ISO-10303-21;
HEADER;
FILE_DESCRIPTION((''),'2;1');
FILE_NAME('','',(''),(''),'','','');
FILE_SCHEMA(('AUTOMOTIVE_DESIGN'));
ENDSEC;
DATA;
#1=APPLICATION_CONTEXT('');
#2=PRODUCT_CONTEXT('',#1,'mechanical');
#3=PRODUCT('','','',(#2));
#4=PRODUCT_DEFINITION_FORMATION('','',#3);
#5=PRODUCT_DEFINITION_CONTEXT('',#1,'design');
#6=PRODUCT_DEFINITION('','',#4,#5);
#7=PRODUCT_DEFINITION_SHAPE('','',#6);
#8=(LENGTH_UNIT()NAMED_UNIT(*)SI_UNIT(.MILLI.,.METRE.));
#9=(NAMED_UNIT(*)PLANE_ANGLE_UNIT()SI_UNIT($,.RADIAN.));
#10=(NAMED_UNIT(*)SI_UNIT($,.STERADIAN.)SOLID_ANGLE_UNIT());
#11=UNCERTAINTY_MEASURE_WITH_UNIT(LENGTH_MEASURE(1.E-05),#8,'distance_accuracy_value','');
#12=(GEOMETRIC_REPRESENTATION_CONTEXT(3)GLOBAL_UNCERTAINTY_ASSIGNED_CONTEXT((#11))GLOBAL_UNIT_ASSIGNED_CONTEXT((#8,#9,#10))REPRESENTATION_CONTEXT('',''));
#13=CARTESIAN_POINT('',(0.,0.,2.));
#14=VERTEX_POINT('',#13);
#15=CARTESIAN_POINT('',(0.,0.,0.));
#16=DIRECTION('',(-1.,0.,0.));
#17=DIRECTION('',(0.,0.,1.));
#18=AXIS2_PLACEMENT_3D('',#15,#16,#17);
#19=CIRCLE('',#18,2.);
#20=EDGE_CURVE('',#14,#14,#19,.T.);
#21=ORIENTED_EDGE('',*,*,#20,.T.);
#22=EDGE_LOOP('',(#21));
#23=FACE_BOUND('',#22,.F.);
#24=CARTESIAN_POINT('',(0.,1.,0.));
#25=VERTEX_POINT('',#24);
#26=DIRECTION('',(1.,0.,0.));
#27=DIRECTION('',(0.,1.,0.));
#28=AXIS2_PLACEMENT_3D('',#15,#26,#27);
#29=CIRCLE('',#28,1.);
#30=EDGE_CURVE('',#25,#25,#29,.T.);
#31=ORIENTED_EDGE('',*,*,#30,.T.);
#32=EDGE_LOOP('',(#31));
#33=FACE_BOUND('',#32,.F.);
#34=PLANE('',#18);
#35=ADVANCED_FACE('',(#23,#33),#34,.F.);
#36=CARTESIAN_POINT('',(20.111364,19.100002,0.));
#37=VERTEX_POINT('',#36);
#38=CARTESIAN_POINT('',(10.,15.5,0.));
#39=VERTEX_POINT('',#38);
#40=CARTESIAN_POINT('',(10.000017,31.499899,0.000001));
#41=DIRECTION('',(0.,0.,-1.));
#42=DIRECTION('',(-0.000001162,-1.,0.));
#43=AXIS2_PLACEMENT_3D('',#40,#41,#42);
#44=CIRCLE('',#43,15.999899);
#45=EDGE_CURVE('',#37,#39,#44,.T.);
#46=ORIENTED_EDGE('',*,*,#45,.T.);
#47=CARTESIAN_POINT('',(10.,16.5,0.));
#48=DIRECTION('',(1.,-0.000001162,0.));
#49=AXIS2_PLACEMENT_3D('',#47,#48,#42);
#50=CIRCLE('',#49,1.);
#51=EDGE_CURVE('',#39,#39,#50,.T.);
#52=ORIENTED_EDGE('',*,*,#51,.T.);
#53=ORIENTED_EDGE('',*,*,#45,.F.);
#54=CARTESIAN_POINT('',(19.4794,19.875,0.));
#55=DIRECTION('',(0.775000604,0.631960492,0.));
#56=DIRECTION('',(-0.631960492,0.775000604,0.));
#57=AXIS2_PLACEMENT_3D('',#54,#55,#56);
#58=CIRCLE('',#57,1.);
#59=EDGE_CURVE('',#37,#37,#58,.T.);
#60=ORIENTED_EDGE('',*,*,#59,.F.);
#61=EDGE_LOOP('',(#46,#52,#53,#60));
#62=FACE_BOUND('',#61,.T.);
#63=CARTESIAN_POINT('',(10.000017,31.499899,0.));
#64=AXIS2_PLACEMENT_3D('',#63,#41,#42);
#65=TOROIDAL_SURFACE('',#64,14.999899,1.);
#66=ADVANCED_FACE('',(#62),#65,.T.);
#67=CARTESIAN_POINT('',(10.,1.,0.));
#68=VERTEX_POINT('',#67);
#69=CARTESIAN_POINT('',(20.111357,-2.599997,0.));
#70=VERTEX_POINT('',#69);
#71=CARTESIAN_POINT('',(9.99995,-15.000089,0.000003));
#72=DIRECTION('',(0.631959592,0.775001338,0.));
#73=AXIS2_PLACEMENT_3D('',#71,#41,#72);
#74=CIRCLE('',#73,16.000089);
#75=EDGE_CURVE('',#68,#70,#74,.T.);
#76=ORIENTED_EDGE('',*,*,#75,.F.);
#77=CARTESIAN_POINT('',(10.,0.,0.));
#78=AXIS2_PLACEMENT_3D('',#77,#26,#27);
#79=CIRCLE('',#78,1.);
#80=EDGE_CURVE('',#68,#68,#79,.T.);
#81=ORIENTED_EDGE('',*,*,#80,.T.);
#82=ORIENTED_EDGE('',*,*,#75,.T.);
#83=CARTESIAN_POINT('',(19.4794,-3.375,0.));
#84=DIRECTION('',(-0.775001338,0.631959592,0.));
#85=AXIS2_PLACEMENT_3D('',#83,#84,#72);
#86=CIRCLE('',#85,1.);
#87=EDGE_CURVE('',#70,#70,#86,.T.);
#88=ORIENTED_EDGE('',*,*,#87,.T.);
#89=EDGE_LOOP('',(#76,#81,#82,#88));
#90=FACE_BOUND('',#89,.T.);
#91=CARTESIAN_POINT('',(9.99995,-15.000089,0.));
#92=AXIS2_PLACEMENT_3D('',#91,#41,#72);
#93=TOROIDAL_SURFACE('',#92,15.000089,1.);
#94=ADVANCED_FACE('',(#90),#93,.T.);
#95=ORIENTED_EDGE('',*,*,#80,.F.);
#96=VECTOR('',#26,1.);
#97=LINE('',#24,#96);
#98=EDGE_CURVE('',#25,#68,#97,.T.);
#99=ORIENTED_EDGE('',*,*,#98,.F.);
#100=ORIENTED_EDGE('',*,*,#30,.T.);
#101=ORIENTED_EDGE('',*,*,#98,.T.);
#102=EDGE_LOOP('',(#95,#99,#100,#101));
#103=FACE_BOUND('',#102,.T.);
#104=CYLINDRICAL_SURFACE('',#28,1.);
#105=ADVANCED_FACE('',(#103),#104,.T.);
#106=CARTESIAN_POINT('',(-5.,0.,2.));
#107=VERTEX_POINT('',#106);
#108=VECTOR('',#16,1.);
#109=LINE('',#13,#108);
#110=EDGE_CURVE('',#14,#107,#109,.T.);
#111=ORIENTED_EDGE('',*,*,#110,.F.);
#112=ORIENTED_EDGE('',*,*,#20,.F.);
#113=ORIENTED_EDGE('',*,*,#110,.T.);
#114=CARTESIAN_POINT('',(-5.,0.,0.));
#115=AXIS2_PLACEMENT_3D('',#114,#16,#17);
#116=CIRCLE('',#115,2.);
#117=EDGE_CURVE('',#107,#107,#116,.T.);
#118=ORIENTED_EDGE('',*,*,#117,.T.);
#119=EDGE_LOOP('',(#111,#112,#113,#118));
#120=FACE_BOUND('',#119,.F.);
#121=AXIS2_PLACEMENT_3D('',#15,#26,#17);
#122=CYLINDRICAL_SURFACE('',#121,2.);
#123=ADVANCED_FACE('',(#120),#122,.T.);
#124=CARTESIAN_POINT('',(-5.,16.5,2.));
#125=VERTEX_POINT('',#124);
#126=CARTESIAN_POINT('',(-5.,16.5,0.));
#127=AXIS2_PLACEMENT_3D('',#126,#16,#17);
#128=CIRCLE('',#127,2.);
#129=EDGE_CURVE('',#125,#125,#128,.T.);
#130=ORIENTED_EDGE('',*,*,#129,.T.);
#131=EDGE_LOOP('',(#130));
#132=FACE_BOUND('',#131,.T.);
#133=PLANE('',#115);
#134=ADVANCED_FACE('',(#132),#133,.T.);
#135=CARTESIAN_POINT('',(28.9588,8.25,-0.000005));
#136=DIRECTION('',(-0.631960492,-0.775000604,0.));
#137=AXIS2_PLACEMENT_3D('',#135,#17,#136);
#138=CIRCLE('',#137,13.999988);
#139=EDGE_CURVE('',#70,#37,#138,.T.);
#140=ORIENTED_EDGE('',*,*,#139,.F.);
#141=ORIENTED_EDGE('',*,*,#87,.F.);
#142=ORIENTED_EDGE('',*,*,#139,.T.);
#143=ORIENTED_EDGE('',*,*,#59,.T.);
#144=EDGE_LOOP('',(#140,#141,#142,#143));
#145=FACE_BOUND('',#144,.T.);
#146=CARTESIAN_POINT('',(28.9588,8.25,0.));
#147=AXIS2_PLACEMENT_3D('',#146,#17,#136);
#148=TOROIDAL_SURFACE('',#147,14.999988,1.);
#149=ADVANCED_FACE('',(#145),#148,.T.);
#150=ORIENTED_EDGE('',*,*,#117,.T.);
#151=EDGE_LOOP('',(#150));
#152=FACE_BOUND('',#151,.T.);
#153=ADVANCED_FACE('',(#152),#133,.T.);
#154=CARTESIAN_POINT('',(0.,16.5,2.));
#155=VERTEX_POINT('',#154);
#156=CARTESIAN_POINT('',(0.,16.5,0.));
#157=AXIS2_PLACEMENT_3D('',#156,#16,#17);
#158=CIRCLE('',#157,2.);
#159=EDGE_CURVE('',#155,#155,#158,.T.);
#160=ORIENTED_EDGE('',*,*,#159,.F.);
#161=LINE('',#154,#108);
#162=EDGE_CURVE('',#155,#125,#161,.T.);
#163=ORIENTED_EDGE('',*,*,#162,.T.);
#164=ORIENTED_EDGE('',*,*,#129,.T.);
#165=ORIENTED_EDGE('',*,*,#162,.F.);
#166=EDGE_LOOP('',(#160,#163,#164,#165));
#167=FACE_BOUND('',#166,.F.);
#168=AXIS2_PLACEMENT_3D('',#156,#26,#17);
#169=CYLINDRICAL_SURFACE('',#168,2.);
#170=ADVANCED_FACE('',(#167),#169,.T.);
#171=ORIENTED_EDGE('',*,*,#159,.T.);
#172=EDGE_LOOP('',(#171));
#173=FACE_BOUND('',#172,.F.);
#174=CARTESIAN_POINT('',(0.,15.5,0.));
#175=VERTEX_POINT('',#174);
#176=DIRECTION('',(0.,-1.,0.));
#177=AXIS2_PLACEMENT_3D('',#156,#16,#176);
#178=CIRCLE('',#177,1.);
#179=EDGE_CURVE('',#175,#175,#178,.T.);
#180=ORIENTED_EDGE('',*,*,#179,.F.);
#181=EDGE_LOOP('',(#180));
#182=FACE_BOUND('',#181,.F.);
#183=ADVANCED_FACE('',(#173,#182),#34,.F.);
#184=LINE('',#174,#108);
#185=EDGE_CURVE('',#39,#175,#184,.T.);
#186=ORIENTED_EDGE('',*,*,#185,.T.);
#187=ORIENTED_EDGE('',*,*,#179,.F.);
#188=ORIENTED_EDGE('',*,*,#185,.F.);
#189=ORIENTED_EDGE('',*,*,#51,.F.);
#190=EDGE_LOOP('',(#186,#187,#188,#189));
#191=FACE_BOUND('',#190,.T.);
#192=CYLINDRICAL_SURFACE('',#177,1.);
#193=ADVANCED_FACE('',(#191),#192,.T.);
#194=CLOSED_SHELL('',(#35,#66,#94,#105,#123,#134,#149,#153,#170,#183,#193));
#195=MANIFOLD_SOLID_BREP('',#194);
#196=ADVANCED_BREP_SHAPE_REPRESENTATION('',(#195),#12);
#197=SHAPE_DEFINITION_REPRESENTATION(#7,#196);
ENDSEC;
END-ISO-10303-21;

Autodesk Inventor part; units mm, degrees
ref_plane "YZ Plane" through (0, 0, 0) normal (1, 0, 0) x (0, 1, 0)
ref_plane "XZ Plane" through (0, 0, 0) normal (0, 1, 0) x (-1, 0, 0)
ref_plane "XY Plane" through (0, 0, 0) normal (0, 0, 1) x (1, 0, 0)
sketch "Esboço1" plane through (0, 0, 0) normal (0, 0, 1) x (1, 0, 0)
  arc A0 (19.4794, -3.375) -> (19.4794, 19.875) centre (28.9588, 8.25) ccw
  line L0 (0, 0) -> (10, 0)
  line L1 (0, 16.5) -> (10, 16.5)
  arc A1 (10, 16.5) -> (19.4794, 19.875) centre (10, 31.5) ccw
  arc A2 (19.4794, -3.375) -> (10, 0) centre (10, -15) ccw
  point P0 (16.4314, 16.5)
  point P1 (16.4314, 0)
  dimension "d6" = 16.5
  dimension "d7" = 8.25
  dimension "d8" = 15
  dimension "d9" = 15
  dimension "d10" = 10
sketch "Esboço2" plane through (0, 0, 0) normal (1, 0, 0) x (0, 1, 0)
  circle A0 centre (0, 0) radius 1
  dimension "d11" = 2
sweep "Varredura1" add profiles "Esboço2" path "Esboço1"
sketch "Esboço3" plane through (0, 0, 0) normal (-1, 0, 0) x (0, 0, 1)
  circle A0 centre (0, 0) radius 1 projected
  circle A1 centre (0, 0) radius 2
  circle A2 centre (0, 16.5) radius 1 projected
  circle A3 centre (0, 16.5) radius 2
  dimension "d13" = 4
  dimension "d14" = 4
extrude "Extrusão1" add sketch "Esboço3" along normal blind 5 contours A0 | A1 | A2 | A3
equation "\"d7\" = 0.5 * d6"
equation "\"d13\" = d14"
equation "\"d5\" = 0.5 * d4"
equation "\"d4\" = 16.5"
properties part number "cabo_aco_1"
